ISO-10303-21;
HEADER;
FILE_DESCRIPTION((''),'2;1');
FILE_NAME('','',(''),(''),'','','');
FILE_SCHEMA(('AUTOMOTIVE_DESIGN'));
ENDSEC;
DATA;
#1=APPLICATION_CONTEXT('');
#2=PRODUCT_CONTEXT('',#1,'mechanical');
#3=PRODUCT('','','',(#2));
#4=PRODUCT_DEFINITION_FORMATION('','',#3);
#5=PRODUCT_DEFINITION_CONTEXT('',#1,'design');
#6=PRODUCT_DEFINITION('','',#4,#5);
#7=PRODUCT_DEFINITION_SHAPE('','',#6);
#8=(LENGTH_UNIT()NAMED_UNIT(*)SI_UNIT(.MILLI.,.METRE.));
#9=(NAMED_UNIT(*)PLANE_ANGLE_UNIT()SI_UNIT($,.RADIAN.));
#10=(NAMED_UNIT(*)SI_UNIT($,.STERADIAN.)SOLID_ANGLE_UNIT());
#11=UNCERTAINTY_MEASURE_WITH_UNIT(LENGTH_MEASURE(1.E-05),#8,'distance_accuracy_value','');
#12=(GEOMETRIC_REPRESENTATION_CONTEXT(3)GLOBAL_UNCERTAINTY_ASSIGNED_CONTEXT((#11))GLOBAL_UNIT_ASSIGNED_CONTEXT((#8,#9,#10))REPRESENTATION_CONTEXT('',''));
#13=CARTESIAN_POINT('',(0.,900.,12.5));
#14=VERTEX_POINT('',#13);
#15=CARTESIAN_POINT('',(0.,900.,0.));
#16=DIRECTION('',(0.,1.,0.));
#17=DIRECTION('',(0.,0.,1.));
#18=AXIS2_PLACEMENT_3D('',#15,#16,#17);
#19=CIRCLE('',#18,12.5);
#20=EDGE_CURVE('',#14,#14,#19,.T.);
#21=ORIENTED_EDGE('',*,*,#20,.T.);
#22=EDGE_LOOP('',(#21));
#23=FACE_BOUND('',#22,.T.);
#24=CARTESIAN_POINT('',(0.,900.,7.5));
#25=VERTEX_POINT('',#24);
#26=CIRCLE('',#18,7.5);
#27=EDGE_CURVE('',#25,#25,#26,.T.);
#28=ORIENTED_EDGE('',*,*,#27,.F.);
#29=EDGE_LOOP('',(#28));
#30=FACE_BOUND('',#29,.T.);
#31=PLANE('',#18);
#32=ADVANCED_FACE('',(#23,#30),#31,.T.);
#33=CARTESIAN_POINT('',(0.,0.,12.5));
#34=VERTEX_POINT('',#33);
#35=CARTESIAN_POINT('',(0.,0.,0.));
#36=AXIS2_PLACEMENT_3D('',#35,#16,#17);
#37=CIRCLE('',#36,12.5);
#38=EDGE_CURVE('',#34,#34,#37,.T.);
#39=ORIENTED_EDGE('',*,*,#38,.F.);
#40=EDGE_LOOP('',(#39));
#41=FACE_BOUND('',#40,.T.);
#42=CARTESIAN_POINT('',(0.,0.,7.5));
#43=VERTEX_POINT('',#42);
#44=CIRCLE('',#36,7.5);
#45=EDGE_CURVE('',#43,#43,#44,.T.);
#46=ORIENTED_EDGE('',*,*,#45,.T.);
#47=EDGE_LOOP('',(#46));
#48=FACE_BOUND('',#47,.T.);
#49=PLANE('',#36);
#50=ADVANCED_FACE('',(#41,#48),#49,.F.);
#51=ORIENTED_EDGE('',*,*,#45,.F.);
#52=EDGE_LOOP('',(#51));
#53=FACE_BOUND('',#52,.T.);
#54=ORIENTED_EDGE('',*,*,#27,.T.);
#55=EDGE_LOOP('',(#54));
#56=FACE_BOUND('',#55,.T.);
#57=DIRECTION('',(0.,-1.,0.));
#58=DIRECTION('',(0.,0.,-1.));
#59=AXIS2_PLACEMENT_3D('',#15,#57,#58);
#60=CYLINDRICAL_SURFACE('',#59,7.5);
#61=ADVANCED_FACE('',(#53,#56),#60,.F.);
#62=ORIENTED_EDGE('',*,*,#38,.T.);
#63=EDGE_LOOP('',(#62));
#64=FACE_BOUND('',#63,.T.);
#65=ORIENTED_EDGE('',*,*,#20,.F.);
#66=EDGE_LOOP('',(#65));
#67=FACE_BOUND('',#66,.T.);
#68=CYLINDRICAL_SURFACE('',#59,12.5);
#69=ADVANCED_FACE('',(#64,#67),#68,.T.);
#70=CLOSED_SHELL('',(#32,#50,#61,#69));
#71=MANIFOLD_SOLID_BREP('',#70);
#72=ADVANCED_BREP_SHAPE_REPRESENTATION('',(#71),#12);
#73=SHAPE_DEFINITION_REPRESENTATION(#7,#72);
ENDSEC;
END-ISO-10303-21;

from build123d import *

# Parameters (mm, degrees)
SKETCH1_R           = 12.5
SKETCH1_R_2         = 7.5
BOSS_EXTRUDE1_DEPTH = 900


with BuildPart() as part:
    # Sketch1 → Boss-Extrude1 (new body)
    with BuildSketch(Plane(origin=(0, 0, 0), x_dir=(1, 0, 0), z_dir=(0, 1, 0))):
        with Locations(Location((0, 0, 0), (0, 0, 270))):
            Circle(SKETCH1_R)
        with Locations(Location((0, 0, 0), (0, 0, 270))):
            Circle(SKETCH1_R_2, mode=Mode.SUBTRACT)
    extrude(amount=BOSS_EXTRUDE1_DEPTH)


solid = part.part
